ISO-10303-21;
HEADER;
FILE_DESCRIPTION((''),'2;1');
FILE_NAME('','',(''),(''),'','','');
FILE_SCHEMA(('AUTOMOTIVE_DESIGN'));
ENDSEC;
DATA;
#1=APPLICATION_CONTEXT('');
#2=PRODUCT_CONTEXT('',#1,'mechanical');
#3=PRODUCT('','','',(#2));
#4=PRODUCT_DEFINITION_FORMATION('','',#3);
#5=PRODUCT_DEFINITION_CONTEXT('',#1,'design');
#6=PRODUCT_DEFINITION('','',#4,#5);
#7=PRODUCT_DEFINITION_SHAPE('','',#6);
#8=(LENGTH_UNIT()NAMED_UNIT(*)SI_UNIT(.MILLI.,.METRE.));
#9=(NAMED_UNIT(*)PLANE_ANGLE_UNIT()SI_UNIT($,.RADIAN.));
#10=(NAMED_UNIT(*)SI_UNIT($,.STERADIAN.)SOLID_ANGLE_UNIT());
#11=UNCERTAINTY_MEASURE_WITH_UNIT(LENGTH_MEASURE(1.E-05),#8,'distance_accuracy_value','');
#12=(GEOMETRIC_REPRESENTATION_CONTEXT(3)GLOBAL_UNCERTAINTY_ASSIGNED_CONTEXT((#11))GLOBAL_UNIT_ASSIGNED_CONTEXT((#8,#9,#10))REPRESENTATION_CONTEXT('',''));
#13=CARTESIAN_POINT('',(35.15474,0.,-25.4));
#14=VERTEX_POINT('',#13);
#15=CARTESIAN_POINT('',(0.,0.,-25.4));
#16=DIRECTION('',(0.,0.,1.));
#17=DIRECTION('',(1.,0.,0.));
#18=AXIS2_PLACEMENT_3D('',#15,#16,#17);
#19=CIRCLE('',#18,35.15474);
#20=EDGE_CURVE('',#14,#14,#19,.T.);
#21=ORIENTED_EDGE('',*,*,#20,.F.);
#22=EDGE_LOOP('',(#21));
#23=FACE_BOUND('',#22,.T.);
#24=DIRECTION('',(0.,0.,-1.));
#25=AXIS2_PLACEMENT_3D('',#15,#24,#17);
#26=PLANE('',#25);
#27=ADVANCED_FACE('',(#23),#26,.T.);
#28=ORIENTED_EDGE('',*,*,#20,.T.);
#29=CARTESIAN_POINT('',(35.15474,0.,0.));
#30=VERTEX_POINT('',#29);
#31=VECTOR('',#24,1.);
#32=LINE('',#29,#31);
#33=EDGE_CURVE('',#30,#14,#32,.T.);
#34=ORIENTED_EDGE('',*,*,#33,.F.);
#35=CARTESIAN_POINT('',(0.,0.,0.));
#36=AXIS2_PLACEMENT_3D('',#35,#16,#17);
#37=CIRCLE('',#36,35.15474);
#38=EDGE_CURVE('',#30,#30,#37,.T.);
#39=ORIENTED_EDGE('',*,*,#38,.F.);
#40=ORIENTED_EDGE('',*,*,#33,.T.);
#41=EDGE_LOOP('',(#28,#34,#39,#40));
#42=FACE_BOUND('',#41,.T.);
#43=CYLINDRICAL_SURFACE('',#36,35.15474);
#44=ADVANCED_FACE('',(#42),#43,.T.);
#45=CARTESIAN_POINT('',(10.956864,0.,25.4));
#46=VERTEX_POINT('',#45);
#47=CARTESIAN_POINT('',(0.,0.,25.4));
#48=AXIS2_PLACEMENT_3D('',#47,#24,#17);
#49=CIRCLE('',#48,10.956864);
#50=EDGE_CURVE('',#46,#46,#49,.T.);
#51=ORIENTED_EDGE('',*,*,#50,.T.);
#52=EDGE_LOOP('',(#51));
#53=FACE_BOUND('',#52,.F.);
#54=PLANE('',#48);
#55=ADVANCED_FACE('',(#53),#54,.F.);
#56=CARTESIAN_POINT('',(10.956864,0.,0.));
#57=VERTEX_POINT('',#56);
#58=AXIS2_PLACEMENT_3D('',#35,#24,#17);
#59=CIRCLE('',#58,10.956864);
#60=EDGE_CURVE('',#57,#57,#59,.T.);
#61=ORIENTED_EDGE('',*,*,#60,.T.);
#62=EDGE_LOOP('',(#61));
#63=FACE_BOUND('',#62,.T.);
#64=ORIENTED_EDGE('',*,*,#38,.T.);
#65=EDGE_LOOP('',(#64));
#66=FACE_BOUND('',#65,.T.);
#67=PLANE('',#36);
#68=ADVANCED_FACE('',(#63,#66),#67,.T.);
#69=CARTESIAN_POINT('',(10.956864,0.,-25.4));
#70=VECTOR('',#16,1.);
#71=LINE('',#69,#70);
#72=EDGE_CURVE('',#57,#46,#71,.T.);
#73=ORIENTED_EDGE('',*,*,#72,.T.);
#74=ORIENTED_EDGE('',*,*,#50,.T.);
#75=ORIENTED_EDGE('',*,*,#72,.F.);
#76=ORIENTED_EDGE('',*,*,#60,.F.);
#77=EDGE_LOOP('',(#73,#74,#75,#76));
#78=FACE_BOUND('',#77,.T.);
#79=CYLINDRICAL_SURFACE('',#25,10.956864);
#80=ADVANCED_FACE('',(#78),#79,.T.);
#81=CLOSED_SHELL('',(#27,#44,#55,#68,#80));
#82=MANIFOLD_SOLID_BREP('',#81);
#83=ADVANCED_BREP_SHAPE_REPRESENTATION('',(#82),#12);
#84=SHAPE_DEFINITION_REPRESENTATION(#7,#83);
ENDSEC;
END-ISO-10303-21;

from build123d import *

# Parameters (mm, degrees)
F0_R     = 35.15474
F1_DEPTH = 25.4
F2_R     = 10.956864
F3_DEPTH = 50.8


with BuildPart() as f1:
    # F0 (on Top) → F1 (new body)
    with BuildSketch(Plane.XY):
        Circle(F0_R)
    extrude(amount=-F1_DEPTH)

    # F2 (on face) → F3 (join)
    with BuildSketch(Plane(origin=(0, 0, -25.4), x_dir=(1, 0, 0), z_dir=(0, 0, -1))):
        Circle(F2_R)
    extrude(amount=-F3_DEPTH)


solid = f1.part
